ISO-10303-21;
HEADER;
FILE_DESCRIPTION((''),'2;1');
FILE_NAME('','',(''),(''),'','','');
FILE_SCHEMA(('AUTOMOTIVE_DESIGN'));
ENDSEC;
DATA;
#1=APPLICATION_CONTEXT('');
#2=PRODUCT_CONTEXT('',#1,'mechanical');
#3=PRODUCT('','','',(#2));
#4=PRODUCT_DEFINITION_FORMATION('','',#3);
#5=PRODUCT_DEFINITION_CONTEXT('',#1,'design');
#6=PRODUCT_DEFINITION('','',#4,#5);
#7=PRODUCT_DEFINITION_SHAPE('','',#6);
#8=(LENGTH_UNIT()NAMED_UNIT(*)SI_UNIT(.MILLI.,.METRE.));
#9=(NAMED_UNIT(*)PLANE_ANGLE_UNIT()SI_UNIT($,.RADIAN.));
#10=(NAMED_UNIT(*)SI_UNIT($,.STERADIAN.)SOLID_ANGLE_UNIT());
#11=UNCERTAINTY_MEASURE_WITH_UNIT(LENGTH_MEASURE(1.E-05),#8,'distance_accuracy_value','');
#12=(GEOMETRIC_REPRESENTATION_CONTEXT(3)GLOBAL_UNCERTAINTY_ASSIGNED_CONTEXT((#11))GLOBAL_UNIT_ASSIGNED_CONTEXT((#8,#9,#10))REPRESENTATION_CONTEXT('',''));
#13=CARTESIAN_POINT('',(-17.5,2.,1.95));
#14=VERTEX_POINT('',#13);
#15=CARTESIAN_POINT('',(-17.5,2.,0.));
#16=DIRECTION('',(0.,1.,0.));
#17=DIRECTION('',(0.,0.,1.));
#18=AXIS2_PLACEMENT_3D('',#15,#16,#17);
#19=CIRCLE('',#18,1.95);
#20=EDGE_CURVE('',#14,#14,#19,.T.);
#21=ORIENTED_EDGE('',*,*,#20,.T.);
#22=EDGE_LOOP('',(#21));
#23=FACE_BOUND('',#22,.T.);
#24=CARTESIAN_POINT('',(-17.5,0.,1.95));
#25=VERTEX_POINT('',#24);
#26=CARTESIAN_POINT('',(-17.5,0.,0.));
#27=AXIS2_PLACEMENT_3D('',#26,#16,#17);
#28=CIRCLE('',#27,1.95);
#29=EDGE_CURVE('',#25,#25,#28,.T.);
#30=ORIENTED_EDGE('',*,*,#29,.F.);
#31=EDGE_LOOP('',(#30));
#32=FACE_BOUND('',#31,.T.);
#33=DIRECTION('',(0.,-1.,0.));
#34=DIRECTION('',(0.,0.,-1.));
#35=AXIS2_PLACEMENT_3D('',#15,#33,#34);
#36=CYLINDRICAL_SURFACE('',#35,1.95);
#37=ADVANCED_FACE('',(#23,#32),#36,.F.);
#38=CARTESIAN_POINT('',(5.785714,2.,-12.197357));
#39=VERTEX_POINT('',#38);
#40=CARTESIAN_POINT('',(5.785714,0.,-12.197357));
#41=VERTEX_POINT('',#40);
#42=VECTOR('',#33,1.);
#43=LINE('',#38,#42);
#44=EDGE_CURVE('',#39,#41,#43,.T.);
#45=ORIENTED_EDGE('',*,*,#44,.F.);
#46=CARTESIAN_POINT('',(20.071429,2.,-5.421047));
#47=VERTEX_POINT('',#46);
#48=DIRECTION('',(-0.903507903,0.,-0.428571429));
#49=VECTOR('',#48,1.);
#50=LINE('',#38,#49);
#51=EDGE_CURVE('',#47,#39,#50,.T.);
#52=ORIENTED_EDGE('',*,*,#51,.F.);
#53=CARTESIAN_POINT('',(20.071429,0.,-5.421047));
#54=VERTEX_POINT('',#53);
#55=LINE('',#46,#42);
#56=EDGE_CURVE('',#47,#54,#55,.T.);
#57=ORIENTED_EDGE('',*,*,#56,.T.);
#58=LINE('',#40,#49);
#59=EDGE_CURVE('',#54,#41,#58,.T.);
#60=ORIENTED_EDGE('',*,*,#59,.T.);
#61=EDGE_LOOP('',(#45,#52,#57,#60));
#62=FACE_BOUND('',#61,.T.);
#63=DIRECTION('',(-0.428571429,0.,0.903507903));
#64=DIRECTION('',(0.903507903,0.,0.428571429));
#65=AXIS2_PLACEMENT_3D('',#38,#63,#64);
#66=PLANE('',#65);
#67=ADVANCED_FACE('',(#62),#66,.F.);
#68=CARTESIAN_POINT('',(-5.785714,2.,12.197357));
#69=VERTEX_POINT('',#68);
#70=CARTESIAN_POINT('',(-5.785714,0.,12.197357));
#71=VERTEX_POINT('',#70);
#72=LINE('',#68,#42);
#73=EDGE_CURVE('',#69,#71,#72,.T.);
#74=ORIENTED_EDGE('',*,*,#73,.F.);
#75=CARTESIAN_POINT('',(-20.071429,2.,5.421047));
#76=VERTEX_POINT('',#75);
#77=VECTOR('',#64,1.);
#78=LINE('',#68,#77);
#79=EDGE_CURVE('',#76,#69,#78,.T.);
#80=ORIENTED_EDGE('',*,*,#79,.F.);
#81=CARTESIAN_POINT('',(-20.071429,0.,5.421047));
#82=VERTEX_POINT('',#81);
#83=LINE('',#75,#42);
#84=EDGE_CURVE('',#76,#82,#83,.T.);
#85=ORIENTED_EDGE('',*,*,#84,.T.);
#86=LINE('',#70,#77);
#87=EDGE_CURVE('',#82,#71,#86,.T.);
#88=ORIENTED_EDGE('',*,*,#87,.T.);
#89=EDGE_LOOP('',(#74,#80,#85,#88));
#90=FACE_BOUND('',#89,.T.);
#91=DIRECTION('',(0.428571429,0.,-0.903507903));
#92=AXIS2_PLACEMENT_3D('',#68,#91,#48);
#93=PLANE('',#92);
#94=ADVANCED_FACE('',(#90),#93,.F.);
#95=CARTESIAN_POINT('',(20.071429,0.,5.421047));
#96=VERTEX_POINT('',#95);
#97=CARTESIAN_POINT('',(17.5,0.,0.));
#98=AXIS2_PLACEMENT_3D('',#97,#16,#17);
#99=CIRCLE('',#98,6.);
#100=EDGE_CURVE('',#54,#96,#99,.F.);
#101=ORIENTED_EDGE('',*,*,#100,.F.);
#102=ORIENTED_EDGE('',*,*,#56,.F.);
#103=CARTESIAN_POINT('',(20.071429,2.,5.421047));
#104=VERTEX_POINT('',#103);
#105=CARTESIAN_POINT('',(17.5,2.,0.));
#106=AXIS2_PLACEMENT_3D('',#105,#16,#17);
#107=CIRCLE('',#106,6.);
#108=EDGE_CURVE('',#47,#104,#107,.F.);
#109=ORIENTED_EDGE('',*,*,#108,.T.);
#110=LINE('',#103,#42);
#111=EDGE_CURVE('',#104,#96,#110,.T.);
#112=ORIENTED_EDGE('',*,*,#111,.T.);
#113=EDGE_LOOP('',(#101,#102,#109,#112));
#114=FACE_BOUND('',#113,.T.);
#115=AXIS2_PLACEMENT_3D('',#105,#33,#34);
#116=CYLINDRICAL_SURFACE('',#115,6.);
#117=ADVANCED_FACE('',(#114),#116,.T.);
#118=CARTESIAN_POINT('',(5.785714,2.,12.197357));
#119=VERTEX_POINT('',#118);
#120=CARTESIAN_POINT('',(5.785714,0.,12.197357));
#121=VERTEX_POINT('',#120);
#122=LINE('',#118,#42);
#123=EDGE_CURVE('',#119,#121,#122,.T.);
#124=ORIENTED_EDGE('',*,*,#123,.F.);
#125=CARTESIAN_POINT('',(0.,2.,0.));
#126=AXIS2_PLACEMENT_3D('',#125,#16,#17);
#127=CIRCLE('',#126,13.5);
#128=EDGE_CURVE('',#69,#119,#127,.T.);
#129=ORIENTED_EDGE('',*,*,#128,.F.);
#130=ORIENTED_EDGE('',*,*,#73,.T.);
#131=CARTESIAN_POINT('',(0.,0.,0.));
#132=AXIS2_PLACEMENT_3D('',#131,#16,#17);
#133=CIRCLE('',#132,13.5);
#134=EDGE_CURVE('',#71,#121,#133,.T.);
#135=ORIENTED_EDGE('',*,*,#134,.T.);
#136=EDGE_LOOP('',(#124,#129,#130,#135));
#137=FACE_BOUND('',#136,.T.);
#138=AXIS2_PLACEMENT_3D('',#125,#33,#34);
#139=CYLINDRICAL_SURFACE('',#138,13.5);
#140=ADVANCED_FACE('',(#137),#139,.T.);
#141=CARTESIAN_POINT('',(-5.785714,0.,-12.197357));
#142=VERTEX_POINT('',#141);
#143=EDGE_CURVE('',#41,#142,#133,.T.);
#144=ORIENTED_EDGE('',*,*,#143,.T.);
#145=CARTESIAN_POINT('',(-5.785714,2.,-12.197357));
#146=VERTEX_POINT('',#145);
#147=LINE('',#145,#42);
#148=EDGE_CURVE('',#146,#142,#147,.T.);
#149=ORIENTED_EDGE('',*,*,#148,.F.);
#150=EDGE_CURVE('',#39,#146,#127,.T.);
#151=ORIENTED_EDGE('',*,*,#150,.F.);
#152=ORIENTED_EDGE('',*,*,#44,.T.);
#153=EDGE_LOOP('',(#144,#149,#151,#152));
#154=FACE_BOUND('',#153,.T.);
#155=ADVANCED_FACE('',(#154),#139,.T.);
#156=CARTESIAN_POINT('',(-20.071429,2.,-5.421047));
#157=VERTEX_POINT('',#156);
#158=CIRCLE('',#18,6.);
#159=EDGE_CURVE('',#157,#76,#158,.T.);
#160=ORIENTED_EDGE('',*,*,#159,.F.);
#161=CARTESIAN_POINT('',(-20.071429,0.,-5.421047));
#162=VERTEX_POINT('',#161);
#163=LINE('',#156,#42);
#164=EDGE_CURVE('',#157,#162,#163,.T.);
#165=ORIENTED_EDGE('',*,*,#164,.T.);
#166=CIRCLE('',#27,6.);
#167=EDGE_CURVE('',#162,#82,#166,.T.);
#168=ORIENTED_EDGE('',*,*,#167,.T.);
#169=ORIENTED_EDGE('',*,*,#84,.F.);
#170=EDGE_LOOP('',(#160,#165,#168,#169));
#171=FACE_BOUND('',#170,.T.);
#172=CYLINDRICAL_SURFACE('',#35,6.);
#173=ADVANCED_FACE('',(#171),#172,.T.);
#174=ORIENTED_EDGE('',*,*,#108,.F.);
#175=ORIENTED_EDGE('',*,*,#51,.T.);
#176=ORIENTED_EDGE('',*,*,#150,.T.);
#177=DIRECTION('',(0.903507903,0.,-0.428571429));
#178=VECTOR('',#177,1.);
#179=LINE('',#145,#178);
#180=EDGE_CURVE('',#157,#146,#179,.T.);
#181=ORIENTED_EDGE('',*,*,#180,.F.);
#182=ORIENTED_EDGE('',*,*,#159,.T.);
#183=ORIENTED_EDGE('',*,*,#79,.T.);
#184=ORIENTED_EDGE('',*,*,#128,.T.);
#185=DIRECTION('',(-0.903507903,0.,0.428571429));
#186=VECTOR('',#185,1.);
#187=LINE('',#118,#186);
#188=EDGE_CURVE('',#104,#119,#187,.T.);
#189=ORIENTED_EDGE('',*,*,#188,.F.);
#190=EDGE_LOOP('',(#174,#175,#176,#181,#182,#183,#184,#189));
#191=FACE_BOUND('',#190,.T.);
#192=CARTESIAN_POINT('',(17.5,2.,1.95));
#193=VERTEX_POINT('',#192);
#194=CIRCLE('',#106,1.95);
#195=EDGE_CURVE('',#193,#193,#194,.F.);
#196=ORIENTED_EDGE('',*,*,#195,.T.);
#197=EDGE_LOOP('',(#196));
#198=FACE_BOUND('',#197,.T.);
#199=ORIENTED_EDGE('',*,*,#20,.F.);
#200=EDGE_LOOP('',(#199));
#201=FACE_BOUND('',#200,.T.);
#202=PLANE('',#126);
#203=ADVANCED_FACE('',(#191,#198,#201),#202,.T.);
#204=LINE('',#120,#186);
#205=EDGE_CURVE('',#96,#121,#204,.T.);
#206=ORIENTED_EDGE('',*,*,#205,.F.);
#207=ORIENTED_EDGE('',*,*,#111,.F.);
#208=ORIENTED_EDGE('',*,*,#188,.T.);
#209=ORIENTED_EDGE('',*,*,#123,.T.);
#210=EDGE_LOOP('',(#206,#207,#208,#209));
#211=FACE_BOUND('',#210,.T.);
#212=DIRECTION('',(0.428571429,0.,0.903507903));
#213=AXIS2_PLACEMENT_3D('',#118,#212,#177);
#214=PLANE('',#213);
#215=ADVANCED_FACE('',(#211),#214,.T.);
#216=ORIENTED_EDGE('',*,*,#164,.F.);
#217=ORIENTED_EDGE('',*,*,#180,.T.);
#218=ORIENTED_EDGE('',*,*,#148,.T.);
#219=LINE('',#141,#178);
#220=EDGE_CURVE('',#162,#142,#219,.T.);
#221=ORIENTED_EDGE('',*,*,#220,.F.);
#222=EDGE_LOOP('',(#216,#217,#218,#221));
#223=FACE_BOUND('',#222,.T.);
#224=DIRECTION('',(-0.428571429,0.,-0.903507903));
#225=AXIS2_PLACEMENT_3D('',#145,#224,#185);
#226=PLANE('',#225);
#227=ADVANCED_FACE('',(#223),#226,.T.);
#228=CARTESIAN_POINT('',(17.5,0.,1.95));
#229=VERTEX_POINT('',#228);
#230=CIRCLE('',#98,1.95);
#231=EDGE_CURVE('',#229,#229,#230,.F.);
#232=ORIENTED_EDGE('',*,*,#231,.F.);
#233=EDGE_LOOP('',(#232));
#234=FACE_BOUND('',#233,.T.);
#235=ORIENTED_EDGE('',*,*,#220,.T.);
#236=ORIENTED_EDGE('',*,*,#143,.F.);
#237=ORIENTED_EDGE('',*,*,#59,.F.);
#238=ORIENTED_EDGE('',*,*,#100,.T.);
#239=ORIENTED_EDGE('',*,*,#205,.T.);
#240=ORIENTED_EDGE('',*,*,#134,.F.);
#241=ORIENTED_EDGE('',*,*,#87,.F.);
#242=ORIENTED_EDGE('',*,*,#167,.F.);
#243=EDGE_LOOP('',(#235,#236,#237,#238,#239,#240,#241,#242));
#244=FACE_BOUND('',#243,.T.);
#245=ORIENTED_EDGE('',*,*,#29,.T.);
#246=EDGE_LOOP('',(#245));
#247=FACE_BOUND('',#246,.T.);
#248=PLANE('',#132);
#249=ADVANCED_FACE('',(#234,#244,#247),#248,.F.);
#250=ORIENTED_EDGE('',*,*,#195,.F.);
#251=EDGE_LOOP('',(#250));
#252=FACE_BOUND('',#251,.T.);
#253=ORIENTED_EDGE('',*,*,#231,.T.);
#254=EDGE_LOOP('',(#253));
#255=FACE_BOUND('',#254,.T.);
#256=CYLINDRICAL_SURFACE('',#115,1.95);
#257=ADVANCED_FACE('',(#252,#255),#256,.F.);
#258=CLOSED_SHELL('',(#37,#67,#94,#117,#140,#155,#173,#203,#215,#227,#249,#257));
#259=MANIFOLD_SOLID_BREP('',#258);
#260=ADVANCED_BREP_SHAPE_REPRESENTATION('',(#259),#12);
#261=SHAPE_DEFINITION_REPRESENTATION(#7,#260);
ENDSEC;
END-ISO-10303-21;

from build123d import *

# Parameters (mm, degrees)
SKETCH_1_R      = 1.95
EXTRUDE_1_DEPTH = 2


with BuildPart() as part:
    # 草图1 → 凸台-拉伸1 (new body)
    with BuildSketch(Plane(origin=(0, 0, 0), x_dir=(1, 0, 0), z_dir=(0, 1, 0))):
        with BuildLine():
            Line((-5.785714286, 12.197356689), (-20.071428571, 5.421047417))
            ThreePointArc((-20.071428571, 5.421047417), (-23.5, 0), (-20.071428571, -5.421047417))
            Line((-20.071428571, -5.421047417), (-5.785714286, -12.197356689))
            ThreePointArc((-5.785714286, -12.197356689), (0, -13.5), (5.785714286, -12.197356689))
            Line((5.785714286, -12.197356689), (20.071428571, -5.421047417))
            ThreePointArc((20.071428571, -5.421047417), (23.5, 0), (20.071428571, 5.421047417))
            Line((20.071428571, 5.421047417), (5.785714286, 12.197356689))
            ThreePointArc((5.785714286, 12.197356689), (0, 13.5), (-5.785714286, 12.197356689))
        make_face()
        with Locations(Location((-17.5, 0, 0), (0, 0, 270))):
            Circle(SKETCH_1_R, mode=Mode.SUBTRACT)
        with Locations(Location((17.5, 0, 0), (0, 0, 270))):
            Circle(SKETCH_1_R, mode=Mode.SUBTRACT)
    extrude(amount=EXTRUDE_1_DEPTH)


solid = part.part
